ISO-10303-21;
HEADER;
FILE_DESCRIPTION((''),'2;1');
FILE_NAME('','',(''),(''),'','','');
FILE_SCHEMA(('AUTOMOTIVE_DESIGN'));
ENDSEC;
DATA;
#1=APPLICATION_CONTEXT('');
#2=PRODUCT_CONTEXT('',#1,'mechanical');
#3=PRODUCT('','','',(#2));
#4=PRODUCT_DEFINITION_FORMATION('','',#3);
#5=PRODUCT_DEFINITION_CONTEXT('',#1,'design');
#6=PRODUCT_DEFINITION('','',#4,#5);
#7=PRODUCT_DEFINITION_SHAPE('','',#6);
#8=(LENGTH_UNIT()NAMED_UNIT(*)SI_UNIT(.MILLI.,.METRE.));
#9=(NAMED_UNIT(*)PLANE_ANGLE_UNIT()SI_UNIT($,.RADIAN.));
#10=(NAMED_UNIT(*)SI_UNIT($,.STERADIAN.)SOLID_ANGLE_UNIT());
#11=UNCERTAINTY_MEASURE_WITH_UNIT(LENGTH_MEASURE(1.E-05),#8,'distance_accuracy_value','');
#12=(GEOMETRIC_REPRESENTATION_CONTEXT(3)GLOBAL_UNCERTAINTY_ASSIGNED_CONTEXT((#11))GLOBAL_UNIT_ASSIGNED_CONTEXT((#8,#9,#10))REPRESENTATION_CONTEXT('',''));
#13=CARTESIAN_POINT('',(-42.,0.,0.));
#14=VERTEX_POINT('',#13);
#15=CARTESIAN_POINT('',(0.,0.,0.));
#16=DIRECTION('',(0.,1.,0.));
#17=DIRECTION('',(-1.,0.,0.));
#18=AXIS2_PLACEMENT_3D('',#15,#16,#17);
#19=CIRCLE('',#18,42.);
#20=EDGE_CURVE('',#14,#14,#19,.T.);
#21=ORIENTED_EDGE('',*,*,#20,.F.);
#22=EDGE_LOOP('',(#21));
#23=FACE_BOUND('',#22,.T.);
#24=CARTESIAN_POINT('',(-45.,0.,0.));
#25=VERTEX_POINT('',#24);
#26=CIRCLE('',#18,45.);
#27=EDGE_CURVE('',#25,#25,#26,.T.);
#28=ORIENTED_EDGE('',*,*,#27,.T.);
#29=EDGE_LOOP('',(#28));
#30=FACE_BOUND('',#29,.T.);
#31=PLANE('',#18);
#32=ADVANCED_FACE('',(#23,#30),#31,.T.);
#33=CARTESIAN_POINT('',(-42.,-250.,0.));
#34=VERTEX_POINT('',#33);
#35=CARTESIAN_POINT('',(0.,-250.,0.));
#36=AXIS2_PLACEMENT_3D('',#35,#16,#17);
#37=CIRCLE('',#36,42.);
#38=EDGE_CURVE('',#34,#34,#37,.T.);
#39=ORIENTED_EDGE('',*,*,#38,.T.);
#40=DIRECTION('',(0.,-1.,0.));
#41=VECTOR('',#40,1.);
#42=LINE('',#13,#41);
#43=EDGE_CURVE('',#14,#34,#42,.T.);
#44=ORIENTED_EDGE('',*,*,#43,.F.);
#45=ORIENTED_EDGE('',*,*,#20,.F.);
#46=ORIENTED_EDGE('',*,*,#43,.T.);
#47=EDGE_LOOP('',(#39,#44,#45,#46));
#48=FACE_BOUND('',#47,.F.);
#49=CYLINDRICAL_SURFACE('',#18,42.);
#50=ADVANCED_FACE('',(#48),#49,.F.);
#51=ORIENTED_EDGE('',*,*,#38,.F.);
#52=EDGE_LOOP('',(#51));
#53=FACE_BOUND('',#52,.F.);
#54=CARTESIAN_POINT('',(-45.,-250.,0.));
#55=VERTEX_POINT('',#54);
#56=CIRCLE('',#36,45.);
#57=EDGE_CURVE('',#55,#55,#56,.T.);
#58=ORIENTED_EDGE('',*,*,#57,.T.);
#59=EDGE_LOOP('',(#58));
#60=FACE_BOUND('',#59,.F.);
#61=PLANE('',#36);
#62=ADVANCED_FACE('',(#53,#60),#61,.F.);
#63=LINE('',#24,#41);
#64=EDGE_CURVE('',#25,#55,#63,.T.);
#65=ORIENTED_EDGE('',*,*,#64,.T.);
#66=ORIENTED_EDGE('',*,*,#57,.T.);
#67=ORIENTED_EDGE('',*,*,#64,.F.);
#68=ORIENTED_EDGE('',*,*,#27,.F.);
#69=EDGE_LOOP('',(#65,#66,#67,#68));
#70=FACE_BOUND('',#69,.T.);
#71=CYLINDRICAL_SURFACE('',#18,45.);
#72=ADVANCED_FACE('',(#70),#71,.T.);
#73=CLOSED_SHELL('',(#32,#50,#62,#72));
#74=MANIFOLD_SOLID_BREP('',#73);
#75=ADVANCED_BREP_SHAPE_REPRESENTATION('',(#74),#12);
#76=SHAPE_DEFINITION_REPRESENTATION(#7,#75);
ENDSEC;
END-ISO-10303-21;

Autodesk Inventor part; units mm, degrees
ref_plane "YZ Plane" through (0, 0, 0) normal (1, 0, 0) x (0, 1, 0)
ref_plane "XZ Plane" through (0, 0, 0) normal (0, 1, 0) x (-1, 0, 0)
ref_plane "XY Plane" through (0, 0, 0) normal (0, 0, 1) x (1, 0, 0)
sketch "Sketch1" plane through (0, 0, 0) normal (0, 1, 0) x (-1, 0, 0)
  circle A0 centre (0, 0) radius 45
  circle A1 centre (0, 0) radius 42
  dimension "d0" = 90
  dimension "d1" = 3
extrude "Extrusion1" add sketch "Sketch1" against normal blind 250
properties part number "PRS 9613 FDS tube 3_1200"
